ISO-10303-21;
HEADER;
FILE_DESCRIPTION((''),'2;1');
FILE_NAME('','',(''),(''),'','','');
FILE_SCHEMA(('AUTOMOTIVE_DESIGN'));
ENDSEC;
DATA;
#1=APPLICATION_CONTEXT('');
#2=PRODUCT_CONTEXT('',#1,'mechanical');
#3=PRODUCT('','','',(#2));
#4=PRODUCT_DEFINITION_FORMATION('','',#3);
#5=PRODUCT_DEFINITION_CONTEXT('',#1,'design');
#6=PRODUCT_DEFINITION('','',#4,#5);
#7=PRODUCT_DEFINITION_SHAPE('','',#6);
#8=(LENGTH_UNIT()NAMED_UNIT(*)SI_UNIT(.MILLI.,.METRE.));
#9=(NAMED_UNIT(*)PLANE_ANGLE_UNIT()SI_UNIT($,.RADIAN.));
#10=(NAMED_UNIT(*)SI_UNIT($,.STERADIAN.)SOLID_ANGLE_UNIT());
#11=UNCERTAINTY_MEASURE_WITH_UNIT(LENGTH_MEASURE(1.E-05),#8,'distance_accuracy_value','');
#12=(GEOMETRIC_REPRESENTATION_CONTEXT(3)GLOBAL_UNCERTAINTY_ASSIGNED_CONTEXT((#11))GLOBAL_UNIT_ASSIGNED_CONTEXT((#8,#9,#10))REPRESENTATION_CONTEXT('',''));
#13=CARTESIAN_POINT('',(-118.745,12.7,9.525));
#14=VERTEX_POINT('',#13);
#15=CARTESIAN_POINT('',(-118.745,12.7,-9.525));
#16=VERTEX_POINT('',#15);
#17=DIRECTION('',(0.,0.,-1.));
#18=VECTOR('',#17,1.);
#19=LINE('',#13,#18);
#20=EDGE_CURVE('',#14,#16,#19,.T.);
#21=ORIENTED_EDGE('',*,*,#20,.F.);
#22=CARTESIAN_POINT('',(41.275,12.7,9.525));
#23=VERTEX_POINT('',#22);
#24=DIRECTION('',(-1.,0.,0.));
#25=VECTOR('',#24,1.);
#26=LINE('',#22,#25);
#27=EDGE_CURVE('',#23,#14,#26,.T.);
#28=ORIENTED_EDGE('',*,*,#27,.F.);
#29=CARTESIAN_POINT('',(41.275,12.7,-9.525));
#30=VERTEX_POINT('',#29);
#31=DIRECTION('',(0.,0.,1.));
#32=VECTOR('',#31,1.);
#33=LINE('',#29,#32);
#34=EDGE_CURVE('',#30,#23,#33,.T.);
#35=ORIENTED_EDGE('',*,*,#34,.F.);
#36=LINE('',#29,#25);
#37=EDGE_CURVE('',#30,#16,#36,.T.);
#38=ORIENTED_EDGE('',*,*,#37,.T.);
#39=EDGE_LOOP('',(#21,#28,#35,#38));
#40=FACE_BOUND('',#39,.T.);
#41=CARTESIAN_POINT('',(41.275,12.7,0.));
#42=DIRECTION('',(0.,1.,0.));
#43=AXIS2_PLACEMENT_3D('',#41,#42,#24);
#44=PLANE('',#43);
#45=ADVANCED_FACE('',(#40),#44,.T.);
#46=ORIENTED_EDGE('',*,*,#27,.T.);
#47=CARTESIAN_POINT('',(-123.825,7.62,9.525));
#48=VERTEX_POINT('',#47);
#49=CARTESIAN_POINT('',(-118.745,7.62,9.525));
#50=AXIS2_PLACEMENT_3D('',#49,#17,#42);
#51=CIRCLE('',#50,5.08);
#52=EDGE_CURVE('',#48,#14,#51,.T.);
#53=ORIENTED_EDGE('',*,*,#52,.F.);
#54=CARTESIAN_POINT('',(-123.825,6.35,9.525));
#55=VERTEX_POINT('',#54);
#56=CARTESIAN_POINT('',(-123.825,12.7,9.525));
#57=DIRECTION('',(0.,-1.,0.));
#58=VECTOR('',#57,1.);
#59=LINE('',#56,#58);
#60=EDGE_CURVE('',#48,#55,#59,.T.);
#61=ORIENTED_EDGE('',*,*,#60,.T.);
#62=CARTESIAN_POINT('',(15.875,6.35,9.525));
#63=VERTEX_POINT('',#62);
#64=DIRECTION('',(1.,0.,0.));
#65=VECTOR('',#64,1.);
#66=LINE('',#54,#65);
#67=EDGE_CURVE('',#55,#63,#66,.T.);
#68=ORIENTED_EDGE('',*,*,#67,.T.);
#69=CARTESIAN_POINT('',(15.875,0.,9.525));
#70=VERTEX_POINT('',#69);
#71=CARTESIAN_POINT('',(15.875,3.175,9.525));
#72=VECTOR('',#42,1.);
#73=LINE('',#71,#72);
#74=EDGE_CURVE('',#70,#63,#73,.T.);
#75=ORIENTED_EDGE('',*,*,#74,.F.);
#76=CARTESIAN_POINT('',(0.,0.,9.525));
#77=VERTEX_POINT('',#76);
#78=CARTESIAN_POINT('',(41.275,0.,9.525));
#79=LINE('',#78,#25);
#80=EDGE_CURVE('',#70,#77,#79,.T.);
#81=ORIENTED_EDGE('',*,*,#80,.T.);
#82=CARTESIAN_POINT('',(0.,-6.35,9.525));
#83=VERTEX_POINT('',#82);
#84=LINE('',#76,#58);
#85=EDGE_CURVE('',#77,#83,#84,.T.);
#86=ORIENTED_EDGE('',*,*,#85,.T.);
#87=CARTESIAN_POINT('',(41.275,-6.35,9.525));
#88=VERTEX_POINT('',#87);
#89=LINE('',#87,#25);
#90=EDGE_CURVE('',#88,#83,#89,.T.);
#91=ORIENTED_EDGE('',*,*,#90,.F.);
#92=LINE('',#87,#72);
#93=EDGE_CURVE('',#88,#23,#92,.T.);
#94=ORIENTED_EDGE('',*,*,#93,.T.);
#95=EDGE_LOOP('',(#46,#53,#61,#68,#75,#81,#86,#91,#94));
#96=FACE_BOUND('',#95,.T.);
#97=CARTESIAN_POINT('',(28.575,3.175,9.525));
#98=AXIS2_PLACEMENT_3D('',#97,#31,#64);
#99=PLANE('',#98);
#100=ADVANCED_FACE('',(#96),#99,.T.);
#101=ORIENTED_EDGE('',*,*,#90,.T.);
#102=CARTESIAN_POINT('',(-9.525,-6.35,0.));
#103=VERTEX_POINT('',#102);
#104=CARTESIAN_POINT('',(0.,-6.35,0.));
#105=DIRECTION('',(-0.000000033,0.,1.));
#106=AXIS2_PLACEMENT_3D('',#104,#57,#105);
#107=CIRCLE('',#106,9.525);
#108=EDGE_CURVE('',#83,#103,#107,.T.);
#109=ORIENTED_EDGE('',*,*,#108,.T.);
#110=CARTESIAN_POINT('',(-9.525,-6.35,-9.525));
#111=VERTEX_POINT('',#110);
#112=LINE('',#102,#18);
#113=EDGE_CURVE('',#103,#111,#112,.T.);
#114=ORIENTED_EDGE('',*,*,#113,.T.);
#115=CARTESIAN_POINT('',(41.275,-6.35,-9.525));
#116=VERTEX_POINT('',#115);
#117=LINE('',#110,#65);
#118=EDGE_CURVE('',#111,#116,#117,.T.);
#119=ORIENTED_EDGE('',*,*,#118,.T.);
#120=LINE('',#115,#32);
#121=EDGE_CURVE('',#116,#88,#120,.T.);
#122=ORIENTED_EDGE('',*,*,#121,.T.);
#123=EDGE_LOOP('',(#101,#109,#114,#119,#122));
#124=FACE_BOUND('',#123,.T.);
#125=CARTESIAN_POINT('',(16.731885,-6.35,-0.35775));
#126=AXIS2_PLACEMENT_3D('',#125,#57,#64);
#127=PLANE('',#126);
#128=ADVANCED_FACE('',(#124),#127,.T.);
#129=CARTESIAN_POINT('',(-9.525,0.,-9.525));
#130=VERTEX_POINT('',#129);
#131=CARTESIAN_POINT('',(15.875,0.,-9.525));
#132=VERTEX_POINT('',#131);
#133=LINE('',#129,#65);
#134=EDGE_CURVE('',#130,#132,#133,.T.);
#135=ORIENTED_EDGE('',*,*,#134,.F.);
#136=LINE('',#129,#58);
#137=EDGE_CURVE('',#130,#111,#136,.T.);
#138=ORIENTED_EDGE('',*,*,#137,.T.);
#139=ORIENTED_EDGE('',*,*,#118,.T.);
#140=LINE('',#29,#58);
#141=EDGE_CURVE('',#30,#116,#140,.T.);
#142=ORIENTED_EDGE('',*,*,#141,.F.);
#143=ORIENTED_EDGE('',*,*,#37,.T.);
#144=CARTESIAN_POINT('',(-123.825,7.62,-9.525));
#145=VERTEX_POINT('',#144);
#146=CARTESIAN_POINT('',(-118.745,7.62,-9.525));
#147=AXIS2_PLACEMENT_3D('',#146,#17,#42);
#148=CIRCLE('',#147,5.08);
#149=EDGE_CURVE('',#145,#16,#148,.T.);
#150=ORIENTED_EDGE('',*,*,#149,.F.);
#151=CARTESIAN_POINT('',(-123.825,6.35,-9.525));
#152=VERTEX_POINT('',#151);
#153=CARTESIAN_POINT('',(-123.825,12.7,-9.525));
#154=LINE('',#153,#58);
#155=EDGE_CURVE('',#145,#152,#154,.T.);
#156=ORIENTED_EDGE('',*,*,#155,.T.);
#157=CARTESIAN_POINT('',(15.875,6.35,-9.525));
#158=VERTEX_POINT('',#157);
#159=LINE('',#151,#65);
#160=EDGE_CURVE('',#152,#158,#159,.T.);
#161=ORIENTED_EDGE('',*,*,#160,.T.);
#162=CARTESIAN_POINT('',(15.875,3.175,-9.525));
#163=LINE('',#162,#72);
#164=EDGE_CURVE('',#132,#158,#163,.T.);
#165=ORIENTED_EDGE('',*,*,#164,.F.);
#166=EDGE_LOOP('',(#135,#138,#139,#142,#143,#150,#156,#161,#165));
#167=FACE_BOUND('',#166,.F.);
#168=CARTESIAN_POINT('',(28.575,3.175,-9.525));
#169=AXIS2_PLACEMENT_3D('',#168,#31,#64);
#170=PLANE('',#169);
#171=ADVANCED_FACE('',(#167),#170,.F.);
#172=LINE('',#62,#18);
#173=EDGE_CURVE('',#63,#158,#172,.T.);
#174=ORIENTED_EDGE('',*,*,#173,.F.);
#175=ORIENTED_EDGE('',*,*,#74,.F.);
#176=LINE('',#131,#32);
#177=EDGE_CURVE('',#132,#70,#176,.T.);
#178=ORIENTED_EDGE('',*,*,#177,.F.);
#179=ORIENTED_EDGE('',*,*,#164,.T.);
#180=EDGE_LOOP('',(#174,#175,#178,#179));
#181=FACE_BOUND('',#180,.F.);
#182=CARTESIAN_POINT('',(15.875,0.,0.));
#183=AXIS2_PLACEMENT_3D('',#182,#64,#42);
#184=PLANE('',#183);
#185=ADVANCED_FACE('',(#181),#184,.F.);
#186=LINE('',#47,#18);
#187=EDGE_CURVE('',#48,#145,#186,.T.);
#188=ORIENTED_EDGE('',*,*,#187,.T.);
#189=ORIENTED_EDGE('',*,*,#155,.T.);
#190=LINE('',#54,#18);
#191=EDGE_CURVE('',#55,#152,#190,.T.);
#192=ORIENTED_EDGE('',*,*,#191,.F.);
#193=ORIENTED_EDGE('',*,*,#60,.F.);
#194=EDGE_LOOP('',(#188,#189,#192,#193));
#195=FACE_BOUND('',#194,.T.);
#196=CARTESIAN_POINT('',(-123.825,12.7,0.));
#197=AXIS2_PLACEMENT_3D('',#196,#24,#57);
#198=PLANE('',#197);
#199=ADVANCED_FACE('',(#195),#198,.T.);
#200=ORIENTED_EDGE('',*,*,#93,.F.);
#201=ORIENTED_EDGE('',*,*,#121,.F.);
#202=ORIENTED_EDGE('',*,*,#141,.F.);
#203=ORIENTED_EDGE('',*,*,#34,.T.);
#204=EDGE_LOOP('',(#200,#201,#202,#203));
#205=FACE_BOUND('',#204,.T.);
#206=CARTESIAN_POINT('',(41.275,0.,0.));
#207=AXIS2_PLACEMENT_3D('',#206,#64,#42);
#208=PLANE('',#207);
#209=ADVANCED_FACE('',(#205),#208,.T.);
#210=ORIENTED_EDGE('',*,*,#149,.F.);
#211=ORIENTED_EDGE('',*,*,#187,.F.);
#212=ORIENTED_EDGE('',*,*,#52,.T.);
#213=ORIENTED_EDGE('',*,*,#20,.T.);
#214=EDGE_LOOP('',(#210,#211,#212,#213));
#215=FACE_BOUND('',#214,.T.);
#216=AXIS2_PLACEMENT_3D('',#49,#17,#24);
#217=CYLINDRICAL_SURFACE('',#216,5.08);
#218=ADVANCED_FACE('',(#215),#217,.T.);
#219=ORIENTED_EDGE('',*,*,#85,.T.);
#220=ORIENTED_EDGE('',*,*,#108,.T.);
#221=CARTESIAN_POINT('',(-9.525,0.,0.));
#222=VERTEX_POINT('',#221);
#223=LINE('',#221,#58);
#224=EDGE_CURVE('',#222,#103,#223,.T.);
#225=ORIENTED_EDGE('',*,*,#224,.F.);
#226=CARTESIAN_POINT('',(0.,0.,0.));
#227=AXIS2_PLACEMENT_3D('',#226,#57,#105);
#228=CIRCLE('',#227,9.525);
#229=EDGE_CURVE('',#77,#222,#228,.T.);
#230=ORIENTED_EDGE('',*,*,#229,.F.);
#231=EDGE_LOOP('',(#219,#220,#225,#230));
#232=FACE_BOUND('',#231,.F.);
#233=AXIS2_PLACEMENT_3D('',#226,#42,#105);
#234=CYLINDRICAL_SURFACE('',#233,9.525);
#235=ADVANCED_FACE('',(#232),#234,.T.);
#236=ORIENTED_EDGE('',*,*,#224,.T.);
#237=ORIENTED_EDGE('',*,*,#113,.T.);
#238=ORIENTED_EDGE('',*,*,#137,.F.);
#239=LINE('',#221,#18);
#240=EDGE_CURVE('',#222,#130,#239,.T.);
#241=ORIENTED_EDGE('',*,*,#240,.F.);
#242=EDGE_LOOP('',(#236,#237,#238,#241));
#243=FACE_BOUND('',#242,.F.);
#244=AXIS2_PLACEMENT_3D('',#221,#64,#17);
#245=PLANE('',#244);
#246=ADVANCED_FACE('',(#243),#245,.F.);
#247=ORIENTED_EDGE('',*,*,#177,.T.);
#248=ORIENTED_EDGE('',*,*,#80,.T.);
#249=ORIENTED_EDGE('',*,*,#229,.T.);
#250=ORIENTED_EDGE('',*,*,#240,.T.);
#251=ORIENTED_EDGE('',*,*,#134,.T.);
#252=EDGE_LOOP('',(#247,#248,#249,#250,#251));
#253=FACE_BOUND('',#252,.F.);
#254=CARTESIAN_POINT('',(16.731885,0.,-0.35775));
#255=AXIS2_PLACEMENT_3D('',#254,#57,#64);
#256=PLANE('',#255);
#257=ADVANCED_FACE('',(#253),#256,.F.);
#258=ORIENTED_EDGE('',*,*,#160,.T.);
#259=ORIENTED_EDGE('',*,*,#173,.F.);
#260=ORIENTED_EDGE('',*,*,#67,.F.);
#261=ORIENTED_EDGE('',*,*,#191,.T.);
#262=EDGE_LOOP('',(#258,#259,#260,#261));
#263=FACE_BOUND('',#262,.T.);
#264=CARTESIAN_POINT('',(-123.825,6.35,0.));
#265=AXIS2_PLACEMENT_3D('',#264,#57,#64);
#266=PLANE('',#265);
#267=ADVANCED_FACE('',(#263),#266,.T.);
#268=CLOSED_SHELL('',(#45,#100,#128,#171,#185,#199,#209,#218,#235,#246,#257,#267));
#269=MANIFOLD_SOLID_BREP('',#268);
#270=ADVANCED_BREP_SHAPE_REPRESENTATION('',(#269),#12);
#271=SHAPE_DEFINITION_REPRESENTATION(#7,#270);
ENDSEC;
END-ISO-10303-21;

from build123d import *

# Parameters (mm, degrees)
F1_DEPTH = 6.35
F2_W     = 25.4
F2_H     = 6.35
F3_DEPTH = 9.525
F4_R     = 5.08


with BuildPart() as f1:
    # F0 (on Front) → F1 (new body)
    with BuildSketch(Plane.XZ):
        with BuildLine():
            Line((-9.525, -9.525), (9.525, -9.525))
            Line((9.525, -9.525), (15.875, -9.525))
            Line((15.875, -9.525), (41.275, -9.525))
            Line((41.275, -9.525), (41.275, 9.525))
            Line((41.275, 9.525), (15.875, 9.525))
            Line((15.875, 9.525), (9.525, 9.525))
            Line((9.525, 9.525), (0, 9.525))
            ThreePointArc((0, 9.525), (-6.735192, 6.735192), (-9.525, 0))
            Line((-9.525, 0), (-9.525, -9.525))
        make_face()
    extrude(amount=F1_DEPTH)

    # F2 (on Top) → F3 (join, symmetric)
    with BuildSketch(Plane.XY):
        with Locations((28.575, 3.175)):
            Rectangle(F2_W, F2_H)
        Polygon((-123.825, 6.35), (15.875, 6.35), (41.275, 6.35), (41.275, 12.7), (-123.825, 12.7), align=None)
    extrude(amount=F3_DEPTH, both=True)

    # F4
    f4_edges = [f1.edges().sort_by_distance(p)[0] for p in [
        (-123.825, 12.7, 0),
    ]]
    fillet(f4_edges, radius=F4_R)


solid = f1.part
